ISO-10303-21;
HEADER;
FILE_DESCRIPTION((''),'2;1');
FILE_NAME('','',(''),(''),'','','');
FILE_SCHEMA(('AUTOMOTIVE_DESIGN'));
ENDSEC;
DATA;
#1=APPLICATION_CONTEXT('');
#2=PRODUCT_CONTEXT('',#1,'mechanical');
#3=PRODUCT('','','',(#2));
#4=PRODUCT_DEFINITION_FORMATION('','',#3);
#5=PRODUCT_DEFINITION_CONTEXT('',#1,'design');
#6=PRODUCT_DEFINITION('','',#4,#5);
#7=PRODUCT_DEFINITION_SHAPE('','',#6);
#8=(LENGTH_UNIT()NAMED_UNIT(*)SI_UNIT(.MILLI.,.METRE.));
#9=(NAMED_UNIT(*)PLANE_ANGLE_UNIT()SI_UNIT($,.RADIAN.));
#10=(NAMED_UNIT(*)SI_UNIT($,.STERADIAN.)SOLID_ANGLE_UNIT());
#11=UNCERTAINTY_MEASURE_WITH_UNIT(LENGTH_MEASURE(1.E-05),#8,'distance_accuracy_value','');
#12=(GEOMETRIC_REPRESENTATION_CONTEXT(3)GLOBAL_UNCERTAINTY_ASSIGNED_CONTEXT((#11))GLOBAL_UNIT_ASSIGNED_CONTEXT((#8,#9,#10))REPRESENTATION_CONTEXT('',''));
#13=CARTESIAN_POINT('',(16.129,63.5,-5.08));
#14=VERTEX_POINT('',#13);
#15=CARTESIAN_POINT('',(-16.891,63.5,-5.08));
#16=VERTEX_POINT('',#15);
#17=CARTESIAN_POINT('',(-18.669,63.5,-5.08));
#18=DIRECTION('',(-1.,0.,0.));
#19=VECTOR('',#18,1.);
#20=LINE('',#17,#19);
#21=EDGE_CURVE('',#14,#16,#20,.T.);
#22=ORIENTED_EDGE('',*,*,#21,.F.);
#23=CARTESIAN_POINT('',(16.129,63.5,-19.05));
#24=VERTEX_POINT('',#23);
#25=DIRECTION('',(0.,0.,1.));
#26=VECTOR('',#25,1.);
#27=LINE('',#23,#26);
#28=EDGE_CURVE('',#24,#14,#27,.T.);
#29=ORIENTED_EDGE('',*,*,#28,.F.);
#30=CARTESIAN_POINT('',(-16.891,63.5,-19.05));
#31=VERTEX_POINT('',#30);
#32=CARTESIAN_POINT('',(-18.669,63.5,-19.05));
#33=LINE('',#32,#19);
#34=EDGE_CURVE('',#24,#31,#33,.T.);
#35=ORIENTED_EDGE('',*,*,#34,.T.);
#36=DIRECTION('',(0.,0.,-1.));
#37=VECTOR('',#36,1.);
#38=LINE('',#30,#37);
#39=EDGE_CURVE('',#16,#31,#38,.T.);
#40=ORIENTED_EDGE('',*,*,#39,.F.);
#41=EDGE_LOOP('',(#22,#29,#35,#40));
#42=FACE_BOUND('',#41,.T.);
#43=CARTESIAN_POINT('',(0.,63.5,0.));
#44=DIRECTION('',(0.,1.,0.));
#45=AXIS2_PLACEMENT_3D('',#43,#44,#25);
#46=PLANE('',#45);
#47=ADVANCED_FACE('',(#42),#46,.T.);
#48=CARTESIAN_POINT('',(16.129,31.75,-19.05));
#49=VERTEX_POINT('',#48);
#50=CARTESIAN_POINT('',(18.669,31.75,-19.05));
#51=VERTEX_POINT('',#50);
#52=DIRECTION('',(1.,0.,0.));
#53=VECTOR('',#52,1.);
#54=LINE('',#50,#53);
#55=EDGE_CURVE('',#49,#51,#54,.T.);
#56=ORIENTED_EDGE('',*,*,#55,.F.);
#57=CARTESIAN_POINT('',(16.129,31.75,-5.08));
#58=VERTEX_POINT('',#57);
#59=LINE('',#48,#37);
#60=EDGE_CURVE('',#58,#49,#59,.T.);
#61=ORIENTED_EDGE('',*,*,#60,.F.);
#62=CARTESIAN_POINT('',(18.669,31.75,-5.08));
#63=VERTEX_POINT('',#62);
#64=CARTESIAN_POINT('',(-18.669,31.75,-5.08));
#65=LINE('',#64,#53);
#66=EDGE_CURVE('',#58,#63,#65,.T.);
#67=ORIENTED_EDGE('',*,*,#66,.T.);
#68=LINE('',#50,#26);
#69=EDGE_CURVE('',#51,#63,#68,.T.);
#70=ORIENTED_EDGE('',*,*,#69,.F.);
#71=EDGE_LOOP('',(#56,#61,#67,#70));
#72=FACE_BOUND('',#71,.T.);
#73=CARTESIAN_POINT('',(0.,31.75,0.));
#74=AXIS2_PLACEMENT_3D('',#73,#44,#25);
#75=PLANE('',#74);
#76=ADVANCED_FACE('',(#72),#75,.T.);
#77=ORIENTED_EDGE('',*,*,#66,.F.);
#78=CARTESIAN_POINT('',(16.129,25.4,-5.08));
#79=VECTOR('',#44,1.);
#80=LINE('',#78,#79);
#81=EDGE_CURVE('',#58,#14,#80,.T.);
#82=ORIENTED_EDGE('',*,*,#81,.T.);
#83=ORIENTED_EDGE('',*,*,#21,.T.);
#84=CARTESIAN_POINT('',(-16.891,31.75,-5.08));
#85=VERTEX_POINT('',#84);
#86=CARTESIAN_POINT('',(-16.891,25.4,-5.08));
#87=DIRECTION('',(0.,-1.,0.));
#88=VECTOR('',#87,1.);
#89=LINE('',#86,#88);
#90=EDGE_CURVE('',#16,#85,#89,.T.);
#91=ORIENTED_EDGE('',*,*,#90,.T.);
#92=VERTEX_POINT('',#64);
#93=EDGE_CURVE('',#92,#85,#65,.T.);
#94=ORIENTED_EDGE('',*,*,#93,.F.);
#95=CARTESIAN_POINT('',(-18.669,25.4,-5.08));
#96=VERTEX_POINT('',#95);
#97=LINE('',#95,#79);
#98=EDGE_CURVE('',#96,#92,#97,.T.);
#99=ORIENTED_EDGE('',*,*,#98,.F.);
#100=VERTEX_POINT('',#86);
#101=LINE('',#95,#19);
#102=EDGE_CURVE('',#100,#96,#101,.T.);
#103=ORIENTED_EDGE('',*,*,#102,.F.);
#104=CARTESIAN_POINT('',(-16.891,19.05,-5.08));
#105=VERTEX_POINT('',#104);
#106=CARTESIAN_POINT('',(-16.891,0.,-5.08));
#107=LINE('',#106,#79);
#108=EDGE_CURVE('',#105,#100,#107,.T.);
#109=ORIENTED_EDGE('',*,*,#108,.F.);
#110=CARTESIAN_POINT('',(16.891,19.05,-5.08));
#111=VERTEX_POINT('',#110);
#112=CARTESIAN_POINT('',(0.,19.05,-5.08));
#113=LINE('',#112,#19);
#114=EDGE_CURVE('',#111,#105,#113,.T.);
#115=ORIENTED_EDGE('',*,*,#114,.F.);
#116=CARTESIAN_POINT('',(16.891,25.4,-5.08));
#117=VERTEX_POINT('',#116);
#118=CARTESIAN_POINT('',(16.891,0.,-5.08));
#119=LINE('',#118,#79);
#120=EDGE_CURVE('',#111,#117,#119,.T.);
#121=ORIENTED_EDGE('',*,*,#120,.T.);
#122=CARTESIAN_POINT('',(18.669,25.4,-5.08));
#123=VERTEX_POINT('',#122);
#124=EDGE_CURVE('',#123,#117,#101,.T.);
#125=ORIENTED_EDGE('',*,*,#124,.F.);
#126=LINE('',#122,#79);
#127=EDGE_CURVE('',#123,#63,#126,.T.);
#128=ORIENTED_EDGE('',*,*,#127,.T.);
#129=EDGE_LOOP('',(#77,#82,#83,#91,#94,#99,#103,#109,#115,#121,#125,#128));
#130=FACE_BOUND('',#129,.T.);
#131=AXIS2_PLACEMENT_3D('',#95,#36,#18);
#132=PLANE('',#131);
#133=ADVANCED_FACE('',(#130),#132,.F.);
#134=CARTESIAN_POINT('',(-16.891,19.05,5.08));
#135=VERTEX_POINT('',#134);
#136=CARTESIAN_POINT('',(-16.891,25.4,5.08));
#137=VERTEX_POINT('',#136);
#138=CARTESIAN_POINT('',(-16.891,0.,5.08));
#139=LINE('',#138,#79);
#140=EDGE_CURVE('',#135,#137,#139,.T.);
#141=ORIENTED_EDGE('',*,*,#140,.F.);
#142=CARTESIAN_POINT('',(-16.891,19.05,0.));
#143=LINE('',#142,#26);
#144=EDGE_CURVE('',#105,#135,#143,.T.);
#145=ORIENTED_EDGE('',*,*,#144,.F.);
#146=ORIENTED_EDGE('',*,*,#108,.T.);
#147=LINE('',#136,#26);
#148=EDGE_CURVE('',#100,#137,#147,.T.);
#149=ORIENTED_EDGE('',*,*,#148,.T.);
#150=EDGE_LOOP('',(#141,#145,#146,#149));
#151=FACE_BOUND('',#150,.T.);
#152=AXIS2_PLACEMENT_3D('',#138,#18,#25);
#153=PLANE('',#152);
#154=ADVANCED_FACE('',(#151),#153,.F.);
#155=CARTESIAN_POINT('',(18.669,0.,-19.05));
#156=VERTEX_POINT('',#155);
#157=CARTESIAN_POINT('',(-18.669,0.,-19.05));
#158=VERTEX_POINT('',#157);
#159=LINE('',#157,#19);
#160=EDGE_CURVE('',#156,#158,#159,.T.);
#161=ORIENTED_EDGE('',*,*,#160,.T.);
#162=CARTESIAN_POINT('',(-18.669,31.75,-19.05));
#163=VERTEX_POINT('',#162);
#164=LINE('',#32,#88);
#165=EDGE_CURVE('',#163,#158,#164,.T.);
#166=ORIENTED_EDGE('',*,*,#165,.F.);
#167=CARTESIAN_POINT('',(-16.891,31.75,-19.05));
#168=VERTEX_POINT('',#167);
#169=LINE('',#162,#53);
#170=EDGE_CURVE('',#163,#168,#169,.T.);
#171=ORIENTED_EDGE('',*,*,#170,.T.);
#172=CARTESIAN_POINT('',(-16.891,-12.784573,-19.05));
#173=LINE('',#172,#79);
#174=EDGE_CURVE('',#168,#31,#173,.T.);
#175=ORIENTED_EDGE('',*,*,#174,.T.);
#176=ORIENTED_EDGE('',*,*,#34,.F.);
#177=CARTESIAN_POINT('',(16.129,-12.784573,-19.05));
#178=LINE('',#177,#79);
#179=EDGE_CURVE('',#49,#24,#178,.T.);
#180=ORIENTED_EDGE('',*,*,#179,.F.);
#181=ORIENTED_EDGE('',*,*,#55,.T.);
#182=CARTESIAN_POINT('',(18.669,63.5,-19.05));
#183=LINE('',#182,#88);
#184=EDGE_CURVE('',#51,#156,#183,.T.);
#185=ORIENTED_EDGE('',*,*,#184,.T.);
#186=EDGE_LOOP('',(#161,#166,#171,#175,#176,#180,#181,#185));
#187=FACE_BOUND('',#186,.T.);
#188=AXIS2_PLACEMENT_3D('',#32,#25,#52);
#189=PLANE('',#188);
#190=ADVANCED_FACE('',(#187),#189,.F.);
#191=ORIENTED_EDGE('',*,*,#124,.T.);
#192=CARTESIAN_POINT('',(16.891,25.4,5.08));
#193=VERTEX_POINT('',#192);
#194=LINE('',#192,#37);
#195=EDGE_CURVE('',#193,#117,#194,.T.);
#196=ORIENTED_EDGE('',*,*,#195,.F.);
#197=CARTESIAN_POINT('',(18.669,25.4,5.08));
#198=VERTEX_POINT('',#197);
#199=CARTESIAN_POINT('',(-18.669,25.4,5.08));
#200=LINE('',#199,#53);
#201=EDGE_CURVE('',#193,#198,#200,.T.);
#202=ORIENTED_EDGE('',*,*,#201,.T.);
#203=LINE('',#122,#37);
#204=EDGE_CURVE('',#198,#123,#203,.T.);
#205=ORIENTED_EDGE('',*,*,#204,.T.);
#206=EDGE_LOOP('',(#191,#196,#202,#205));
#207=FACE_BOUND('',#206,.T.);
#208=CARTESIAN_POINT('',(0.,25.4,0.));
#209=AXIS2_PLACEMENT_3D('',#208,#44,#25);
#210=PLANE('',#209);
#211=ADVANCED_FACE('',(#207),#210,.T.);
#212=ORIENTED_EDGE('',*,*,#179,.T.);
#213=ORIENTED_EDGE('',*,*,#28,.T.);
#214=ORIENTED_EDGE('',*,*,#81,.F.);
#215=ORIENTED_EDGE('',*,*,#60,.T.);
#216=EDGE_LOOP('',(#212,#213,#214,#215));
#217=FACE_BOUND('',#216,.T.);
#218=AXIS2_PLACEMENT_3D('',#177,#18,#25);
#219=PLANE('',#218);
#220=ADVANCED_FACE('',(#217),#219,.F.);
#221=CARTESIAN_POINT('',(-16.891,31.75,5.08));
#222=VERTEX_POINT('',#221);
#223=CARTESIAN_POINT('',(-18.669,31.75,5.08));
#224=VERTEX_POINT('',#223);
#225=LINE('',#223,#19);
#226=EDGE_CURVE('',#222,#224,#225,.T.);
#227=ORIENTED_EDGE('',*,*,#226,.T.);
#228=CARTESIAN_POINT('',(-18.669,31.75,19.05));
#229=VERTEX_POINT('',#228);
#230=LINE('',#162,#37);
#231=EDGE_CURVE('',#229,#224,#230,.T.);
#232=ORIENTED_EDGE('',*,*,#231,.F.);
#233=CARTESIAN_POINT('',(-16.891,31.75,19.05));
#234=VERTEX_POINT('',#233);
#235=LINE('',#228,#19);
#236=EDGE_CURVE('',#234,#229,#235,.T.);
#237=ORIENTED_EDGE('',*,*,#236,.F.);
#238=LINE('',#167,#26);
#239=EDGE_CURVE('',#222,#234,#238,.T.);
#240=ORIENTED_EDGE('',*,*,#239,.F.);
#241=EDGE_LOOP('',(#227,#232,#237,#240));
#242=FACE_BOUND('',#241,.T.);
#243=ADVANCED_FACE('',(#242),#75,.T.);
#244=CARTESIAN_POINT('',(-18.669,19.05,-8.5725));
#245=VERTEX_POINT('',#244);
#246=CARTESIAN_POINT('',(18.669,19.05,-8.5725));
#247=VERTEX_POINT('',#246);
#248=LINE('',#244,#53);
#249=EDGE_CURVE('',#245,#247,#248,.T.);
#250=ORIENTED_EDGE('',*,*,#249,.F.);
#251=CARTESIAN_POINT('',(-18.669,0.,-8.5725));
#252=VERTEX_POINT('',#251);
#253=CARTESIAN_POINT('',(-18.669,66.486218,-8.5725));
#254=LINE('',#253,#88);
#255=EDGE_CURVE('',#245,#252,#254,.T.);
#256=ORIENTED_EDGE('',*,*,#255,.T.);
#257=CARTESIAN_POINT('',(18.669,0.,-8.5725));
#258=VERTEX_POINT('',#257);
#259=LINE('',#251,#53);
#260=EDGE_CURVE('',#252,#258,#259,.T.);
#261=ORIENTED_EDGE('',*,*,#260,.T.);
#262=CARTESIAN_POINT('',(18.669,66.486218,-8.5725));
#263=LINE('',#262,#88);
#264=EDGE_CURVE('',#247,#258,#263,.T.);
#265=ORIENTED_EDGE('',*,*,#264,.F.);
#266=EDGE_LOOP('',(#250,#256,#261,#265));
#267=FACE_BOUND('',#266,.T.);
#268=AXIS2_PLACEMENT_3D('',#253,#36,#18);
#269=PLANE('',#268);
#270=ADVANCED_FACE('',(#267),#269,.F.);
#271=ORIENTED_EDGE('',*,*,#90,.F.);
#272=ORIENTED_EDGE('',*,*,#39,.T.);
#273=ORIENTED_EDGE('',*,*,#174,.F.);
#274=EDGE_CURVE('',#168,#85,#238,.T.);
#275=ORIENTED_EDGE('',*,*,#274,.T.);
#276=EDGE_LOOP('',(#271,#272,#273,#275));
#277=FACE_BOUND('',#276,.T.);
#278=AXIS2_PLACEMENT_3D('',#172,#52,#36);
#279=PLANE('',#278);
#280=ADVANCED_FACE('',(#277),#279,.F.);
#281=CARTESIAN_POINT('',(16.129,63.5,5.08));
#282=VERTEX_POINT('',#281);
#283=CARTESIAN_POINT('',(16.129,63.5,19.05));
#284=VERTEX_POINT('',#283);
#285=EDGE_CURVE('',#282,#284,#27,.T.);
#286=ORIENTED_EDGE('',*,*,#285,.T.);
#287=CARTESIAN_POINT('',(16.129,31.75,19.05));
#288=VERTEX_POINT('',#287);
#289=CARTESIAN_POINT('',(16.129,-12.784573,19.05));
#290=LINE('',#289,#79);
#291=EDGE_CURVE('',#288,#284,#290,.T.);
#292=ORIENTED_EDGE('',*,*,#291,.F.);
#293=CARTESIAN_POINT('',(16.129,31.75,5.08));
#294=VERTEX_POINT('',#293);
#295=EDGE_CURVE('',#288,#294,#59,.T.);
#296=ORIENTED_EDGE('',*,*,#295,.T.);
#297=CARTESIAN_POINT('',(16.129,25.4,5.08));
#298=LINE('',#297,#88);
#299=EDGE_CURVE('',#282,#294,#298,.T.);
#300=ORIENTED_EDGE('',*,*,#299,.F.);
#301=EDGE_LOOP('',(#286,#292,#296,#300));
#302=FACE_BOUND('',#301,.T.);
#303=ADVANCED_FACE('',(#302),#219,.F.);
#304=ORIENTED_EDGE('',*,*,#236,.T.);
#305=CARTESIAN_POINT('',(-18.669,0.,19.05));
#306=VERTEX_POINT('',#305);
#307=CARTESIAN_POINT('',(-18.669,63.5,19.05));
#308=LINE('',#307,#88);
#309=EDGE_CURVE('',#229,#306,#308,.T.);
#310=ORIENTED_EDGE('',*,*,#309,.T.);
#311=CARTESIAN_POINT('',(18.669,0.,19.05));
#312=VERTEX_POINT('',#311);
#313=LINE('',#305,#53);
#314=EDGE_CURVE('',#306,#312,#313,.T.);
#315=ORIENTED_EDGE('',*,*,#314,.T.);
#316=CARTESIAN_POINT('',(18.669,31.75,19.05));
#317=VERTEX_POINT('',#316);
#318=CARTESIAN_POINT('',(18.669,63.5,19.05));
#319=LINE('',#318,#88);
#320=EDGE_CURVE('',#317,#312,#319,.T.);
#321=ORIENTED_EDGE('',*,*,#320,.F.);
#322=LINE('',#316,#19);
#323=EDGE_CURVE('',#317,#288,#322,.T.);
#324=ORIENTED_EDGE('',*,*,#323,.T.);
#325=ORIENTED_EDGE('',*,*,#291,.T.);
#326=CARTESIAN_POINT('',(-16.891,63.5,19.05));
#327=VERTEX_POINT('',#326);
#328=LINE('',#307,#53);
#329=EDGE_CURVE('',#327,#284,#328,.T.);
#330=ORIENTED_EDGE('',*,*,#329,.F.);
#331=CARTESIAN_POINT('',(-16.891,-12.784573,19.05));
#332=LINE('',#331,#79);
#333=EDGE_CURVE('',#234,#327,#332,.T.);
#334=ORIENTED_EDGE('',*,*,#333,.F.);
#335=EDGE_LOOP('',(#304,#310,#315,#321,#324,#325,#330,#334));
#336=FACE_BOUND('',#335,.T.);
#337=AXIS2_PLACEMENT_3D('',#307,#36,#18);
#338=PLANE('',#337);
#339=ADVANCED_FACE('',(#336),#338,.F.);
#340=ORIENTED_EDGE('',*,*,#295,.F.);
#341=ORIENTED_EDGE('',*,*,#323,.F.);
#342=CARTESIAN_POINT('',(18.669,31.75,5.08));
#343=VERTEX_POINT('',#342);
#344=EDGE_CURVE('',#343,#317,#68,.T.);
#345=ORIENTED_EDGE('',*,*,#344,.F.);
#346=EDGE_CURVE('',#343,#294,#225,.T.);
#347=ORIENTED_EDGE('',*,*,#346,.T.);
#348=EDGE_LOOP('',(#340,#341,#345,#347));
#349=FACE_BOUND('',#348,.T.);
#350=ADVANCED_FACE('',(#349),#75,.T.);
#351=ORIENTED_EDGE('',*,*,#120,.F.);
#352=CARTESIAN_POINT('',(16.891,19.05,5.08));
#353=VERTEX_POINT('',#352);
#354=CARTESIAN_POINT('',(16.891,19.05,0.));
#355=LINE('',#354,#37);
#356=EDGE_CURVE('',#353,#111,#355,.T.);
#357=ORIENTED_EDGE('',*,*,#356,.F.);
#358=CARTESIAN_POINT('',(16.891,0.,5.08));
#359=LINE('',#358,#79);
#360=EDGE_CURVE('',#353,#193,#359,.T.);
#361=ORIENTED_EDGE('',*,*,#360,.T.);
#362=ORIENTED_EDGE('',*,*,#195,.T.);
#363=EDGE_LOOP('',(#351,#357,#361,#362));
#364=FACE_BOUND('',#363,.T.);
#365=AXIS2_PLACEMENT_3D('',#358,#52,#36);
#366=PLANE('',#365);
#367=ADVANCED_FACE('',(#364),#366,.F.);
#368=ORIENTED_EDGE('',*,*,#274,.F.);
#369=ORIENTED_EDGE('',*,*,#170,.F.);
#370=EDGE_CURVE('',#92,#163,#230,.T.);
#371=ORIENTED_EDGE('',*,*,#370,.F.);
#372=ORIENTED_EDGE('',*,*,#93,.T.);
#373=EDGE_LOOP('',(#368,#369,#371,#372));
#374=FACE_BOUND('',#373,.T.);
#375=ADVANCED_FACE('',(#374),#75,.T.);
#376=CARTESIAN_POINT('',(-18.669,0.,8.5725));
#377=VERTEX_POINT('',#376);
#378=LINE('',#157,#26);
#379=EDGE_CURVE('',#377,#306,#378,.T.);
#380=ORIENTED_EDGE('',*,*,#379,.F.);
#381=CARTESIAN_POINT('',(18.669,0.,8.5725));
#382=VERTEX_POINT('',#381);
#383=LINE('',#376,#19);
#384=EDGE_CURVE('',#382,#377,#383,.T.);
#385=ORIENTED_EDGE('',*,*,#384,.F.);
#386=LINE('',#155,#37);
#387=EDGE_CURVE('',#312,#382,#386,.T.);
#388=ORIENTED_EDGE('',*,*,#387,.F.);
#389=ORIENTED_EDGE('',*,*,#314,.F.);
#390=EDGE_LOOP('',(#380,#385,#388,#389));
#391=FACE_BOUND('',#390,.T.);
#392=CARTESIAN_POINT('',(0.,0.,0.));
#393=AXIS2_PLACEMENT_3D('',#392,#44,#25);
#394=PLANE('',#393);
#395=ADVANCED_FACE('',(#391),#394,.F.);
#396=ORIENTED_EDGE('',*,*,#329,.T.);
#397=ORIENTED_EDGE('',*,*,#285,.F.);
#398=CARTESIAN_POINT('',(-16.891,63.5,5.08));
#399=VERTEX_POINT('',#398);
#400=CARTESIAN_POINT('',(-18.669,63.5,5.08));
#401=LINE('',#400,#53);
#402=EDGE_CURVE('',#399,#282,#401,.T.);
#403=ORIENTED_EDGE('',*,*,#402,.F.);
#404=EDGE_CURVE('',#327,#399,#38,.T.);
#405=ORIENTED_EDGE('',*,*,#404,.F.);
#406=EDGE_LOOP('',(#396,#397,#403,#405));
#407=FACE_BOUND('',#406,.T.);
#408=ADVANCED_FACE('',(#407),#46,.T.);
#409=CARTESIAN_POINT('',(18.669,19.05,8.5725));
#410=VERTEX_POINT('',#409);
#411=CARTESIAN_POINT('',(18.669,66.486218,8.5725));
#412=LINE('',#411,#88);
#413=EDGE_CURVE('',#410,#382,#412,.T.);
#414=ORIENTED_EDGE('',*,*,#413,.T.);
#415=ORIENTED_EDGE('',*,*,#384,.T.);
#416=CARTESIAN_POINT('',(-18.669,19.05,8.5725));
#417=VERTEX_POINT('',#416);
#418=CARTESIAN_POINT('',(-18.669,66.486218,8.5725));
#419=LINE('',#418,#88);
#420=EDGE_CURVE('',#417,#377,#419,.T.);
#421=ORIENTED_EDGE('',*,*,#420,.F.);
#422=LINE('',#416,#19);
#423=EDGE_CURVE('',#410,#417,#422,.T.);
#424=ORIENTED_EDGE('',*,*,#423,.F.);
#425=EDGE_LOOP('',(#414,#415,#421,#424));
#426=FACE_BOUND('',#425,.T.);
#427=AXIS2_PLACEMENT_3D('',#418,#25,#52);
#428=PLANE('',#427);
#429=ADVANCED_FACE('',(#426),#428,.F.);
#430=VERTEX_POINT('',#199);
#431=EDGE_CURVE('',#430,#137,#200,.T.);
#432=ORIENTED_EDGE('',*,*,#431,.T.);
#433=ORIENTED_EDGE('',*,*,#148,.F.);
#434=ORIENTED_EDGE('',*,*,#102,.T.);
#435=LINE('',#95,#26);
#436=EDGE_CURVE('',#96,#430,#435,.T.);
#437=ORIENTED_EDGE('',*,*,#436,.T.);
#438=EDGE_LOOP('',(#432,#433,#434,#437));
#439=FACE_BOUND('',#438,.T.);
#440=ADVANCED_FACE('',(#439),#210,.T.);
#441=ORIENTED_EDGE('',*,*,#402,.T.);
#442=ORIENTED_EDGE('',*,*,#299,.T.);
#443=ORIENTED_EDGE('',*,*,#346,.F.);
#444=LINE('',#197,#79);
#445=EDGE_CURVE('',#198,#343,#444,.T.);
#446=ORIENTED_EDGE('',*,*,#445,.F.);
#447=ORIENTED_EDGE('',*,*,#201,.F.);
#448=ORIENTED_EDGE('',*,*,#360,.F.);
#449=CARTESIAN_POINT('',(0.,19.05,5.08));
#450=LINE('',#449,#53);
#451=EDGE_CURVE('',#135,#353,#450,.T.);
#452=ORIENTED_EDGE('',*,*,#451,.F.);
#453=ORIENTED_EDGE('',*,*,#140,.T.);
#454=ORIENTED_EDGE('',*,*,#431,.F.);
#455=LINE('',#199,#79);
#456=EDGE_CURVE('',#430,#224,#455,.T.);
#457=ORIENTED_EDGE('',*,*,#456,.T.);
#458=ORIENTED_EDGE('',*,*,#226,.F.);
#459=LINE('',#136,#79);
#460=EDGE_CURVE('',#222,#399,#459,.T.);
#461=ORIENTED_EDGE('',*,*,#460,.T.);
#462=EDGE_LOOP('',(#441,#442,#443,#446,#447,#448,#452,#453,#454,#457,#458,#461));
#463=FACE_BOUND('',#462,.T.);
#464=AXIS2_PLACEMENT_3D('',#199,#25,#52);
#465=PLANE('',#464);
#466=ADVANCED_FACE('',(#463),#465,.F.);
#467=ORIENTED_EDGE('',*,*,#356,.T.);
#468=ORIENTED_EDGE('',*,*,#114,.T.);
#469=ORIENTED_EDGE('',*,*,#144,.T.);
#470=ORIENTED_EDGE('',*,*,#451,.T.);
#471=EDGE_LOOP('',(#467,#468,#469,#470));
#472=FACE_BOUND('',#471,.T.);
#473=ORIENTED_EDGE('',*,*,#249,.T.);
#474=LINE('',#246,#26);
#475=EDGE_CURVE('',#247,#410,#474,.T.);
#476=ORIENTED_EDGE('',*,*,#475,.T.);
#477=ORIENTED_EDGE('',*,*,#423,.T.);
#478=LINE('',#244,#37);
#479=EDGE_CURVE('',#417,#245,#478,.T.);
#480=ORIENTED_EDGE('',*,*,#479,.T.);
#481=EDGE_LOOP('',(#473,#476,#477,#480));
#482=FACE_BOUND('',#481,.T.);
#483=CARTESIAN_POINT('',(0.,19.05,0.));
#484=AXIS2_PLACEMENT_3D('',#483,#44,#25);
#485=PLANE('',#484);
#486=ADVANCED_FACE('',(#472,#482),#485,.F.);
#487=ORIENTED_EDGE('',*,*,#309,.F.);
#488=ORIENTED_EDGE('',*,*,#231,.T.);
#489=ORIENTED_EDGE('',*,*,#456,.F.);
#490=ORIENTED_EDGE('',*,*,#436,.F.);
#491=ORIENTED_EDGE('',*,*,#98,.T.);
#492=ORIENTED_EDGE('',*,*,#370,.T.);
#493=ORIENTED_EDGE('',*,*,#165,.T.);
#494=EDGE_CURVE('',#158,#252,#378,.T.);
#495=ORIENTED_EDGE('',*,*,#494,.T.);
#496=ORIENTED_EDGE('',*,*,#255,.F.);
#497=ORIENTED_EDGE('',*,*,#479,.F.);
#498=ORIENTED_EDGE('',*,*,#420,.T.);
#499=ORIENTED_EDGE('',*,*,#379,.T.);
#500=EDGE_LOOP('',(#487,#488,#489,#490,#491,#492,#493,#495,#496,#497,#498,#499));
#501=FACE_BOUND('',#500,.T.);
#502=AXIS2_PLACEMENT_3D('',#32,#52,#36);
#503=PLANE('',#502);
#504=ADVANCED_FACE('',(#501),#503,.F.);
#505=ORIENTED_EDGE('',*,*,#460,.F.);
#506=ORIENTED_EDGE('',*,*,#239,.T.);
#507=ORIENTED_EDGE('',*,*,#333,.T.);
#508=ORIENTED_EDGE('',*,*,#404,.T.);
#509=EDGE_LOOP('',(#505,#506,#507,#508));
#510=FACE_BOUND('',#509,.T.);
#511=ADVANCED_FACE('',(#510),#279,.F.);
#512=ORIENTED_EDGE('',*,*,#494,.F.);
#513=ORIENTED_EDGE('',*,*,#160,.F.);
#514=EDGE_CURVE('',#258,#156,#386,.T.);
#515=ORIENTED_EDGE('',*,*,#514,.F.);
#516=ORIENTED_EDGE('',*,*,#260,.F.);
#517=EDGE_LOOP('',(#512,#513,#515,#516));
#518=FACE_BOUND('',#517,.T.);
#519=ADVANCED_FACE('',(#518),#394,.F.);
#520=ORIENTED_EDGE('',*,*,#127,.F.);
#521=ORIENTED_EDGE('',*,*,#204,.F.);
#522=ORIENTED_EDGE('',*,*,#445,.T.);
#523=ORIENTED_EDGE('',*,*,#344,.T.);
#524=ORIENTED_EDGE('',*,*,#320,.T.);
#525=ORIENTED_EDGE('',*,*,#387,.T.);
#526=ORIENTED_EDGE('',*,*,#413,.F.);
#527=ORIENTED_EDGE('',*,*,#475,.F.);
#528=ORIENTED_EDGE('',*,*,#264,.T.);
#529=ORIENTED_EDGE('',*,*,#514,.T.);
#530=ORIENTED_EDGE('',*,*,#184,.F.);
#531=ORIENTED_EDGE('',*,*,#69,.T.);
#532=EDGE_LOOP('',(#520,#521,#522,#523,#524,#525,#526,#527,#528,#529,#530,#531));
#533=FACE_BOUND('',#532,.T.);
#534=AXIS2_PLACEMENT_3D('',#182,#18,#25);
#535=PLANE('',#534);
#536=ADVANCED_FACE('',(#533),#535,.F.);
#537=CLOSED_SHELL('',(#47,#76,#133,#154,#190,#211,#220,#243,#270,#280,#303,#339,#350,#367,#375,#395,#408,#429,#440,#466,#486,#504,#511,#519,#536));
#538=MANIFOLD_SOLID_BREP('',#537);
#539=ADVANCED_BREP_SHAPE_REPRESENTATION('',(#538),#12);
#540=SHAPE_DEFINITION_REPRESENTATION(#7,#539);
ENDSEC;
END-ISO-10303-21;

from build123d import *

# Parameters (mm, degrees)
SKETCH1_W           = 37.338
SKETCH1_H           = 38.1
BOSS_EXTRUDE1_DEPTH = 63.5
SKETCH3_W           = 37.338
SKETCH3_H           = 10.16
CUT_EXTRUDE1_DEPTH  = 38.1
SKETCH4_W           = 37.338
SKETCH4_H           = 17.145
CUT_EXTRUDE2_DEPTH  = 19.05
SKETCH5_W           = 33.782
SKETCH5_H           = 10.16
CUT_EXTRUDE3_DEPTH  = 47.508537507
SKETCH6_W           = 2.54
SKETCH6_H           = 38.1
SKETCH6_W_2         = 1.778
CUT_EXTRUDE4_DEPTH  = 31.75


with BuildPart() as part:
    # Sketch1 → Boss-Extrude1 (new body)
    with BuildSketch(Plane(origin=(0, 0, 0), x_dir=(1, 0, 0), z_dir=(0, 1, 0))):
        Rectangle(SKETCH1_W, SKETCH1_H)
    extrude(amount=BOSS_EXTRUDE1_DEPTH)

    # Sketch3 → Cut-Extrude1 (cut)
    with BuildSketch(Plane(origin=(0, 63.5, 0), x_dir=(1, 0, 0), z_dir=(0, 1, 0))):
        Rectangle(SKETCH3_W, SKETCH3_H)
    extrude(amount=-CUT_EXTRUDE1_DEPTH, mode=Mode.SUBTRACT)

    # Sketch4 → Cut-Extrude2 (cut)
    with BuildSketch(Plane.XZ):
        Rectangle(SKETCH4_W, SKETCH4_H)
    extrude(amount=-CUT_EXTRUDE2_DEPTH, mode=Mode.SUBTRACT)

    # Sketch5 → Cut-Extrude3 (cut, through all)
    with BuildSketch(Plane(origin=(0, 25.4, 0), x_dir=(1, 0, 0), z_dir=(0, 1, 0))):
        Rectangle(SKETCH5_W, SKETCH5_H)
    extrude(amount=-CUT_EXTRUDE3_DEPTH, mode=Mode.SUBTRACT)

    # Sketch6 → Cut-Extrude4 (cut)
    with BuildSketch(Plane(origin=(0, 63.5, 0), x_dir=(1, 0, 0), z_dir=(0, 1, 0))):
        with Locations((17.399, 0)):
            Rectangle(SKETCH6_W, SKETCH6_H)
        with Locations((-17.78, 0)):
            Rectangle(SKETCH6_W_2, SKETCH6_H)
    extrude(amount=-CUT_EXTRUDE4_DEPTH, mode=Mode.SUBTRACT)


solid = part.part
